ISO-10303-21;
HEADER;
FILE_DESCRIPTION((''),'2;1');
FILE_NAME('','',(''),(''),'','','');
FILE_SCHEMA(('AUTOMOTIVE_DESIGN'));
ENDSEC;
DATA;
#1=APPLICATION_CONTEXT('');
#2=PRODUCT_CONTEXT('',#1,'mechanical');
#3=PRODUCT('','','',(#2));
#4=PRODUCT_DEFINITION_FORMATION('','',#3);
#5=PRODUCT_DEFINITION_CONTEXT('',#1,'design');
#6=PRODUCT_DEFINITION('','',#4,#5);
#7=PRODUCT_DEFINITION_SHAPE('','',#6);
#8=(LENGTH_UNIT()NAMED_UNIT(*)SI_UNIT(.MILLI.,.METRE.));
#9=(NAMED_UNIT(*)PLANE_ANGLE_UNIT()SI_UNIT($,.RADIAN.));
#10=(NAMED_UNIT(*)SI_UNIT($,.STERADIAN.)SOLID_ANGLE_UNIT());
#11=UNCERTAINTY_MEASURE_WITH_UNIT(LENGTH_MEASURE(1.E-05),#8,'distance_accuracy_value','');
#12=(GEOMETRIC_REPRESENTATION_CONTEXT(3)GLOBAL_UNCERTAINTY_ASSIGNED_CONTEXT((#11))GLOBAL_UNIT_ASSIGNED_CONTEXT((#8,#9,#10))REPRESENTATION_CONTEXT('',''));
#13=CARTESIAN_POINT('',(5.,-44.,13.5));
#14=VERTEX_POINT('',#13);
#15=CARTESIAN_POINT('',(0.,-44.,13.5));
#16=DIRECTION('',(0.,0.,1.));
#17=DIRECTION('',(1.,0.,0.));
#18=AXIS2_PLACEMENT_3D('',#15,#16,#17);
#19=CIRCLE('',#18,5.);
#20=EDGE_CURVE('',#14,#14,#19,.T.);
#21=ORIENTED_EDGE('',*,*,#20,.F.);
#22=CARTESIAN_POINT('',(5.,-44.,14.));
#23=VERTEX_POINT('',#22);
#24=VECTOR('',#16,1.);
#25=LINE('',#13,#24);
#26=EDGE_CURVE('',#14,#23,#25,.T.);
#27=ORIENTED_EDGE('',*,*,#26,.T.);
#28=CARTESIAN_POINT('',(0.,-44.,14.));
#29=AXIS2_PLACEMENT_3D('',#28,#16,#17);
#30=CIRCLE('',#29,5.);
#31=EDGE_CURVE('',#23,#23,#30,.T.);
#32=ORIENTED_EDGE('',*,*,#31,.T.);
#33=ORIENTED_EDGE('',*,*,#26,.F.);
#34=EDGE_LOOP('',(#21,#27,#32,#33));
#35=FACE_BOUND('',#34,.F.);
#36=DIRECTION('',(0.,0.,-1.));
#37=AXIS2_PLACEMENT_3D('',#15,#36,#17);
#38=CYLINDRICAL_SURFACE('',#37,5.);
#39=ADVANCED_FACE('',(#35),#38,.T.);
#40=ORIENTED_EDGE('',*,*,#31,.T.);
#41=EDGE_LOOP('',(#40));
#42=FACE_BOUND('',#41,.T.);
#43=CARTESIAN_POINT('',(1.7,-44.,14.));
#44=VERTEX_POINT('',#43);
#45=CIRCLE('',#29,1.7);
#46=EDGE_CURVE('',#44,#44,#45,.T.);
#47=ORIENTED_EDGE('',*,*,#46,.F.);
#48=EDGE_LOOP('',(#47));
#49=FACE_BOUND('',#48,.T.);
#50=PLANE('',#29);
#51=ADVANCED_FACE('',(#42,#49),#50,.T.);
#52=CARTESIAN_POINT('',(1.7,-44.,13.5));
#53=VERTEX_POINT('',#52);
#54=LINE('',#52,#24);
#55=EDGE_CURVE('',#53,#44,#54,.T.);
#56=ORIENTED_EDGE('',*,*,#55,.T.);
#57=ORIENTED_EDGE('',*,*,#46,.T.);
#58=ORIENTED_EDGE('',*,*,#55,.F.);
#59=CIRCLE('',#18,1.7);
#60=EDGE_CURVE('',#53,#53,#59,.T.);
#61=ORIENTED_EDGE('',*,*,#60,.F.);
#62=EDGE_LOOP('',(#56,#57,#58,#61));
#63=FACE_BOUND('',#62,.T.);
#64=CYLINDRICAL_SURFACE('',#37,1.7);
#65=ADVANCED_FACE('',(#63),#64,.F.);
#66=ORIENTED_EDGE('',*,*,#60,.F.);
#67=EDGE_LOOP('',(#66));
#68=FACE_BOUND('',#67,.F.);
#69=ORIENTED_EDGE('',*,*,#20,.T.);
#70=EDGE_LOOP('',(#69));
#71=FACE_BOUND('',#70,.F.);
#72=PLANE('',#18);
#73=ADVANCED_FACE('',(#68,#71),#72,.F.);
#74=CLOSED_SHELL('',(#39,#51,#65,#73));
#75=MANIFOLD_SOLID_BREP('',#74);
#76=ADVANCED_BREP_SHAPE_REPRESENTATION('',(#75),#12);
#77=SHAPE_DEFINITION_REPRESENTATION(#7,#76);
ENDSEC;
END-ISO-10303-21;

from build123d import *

# Parameters (mm, degrees)
CYLINDER110_R     = 1.7
CYLINDER110_DEPTH = 0.5
CYLINDER111_R     = 5
CYLINDER111_DEPTH = 0.5


with BuildPart() as deltacylinderwasherm3:
    # Cylinder110 → Cylinder110 (new body)
    with BuildSketch(Plane(origin=(0, -44, 13.5), x_dir=(1, 0, 0), z_dir=(0, 0, 1))):
        Circle(CYLINDER110_R)
    extrude(amount=CYLINDER110_DEPTH)


with BuildPart() as bearingholdertopwasher:
    # Cylinder111 → Cylinder111 (new body)
    with BuildSketch(Plane(origin=(0, -44, 13.5), x_dir=(1, 0, 0), z_dir=(0, 0, 1))):
        Circle(CYLINDER111_R)
    extrude(amount=CYLINDER111_DEPTH)

    # Cut055: cut DeltaCylinderWasherM3
    add(deltacylinderwasherm3.part, mode=Mode.SUBTRACT)


solid = bearingholdertopwasher.part
